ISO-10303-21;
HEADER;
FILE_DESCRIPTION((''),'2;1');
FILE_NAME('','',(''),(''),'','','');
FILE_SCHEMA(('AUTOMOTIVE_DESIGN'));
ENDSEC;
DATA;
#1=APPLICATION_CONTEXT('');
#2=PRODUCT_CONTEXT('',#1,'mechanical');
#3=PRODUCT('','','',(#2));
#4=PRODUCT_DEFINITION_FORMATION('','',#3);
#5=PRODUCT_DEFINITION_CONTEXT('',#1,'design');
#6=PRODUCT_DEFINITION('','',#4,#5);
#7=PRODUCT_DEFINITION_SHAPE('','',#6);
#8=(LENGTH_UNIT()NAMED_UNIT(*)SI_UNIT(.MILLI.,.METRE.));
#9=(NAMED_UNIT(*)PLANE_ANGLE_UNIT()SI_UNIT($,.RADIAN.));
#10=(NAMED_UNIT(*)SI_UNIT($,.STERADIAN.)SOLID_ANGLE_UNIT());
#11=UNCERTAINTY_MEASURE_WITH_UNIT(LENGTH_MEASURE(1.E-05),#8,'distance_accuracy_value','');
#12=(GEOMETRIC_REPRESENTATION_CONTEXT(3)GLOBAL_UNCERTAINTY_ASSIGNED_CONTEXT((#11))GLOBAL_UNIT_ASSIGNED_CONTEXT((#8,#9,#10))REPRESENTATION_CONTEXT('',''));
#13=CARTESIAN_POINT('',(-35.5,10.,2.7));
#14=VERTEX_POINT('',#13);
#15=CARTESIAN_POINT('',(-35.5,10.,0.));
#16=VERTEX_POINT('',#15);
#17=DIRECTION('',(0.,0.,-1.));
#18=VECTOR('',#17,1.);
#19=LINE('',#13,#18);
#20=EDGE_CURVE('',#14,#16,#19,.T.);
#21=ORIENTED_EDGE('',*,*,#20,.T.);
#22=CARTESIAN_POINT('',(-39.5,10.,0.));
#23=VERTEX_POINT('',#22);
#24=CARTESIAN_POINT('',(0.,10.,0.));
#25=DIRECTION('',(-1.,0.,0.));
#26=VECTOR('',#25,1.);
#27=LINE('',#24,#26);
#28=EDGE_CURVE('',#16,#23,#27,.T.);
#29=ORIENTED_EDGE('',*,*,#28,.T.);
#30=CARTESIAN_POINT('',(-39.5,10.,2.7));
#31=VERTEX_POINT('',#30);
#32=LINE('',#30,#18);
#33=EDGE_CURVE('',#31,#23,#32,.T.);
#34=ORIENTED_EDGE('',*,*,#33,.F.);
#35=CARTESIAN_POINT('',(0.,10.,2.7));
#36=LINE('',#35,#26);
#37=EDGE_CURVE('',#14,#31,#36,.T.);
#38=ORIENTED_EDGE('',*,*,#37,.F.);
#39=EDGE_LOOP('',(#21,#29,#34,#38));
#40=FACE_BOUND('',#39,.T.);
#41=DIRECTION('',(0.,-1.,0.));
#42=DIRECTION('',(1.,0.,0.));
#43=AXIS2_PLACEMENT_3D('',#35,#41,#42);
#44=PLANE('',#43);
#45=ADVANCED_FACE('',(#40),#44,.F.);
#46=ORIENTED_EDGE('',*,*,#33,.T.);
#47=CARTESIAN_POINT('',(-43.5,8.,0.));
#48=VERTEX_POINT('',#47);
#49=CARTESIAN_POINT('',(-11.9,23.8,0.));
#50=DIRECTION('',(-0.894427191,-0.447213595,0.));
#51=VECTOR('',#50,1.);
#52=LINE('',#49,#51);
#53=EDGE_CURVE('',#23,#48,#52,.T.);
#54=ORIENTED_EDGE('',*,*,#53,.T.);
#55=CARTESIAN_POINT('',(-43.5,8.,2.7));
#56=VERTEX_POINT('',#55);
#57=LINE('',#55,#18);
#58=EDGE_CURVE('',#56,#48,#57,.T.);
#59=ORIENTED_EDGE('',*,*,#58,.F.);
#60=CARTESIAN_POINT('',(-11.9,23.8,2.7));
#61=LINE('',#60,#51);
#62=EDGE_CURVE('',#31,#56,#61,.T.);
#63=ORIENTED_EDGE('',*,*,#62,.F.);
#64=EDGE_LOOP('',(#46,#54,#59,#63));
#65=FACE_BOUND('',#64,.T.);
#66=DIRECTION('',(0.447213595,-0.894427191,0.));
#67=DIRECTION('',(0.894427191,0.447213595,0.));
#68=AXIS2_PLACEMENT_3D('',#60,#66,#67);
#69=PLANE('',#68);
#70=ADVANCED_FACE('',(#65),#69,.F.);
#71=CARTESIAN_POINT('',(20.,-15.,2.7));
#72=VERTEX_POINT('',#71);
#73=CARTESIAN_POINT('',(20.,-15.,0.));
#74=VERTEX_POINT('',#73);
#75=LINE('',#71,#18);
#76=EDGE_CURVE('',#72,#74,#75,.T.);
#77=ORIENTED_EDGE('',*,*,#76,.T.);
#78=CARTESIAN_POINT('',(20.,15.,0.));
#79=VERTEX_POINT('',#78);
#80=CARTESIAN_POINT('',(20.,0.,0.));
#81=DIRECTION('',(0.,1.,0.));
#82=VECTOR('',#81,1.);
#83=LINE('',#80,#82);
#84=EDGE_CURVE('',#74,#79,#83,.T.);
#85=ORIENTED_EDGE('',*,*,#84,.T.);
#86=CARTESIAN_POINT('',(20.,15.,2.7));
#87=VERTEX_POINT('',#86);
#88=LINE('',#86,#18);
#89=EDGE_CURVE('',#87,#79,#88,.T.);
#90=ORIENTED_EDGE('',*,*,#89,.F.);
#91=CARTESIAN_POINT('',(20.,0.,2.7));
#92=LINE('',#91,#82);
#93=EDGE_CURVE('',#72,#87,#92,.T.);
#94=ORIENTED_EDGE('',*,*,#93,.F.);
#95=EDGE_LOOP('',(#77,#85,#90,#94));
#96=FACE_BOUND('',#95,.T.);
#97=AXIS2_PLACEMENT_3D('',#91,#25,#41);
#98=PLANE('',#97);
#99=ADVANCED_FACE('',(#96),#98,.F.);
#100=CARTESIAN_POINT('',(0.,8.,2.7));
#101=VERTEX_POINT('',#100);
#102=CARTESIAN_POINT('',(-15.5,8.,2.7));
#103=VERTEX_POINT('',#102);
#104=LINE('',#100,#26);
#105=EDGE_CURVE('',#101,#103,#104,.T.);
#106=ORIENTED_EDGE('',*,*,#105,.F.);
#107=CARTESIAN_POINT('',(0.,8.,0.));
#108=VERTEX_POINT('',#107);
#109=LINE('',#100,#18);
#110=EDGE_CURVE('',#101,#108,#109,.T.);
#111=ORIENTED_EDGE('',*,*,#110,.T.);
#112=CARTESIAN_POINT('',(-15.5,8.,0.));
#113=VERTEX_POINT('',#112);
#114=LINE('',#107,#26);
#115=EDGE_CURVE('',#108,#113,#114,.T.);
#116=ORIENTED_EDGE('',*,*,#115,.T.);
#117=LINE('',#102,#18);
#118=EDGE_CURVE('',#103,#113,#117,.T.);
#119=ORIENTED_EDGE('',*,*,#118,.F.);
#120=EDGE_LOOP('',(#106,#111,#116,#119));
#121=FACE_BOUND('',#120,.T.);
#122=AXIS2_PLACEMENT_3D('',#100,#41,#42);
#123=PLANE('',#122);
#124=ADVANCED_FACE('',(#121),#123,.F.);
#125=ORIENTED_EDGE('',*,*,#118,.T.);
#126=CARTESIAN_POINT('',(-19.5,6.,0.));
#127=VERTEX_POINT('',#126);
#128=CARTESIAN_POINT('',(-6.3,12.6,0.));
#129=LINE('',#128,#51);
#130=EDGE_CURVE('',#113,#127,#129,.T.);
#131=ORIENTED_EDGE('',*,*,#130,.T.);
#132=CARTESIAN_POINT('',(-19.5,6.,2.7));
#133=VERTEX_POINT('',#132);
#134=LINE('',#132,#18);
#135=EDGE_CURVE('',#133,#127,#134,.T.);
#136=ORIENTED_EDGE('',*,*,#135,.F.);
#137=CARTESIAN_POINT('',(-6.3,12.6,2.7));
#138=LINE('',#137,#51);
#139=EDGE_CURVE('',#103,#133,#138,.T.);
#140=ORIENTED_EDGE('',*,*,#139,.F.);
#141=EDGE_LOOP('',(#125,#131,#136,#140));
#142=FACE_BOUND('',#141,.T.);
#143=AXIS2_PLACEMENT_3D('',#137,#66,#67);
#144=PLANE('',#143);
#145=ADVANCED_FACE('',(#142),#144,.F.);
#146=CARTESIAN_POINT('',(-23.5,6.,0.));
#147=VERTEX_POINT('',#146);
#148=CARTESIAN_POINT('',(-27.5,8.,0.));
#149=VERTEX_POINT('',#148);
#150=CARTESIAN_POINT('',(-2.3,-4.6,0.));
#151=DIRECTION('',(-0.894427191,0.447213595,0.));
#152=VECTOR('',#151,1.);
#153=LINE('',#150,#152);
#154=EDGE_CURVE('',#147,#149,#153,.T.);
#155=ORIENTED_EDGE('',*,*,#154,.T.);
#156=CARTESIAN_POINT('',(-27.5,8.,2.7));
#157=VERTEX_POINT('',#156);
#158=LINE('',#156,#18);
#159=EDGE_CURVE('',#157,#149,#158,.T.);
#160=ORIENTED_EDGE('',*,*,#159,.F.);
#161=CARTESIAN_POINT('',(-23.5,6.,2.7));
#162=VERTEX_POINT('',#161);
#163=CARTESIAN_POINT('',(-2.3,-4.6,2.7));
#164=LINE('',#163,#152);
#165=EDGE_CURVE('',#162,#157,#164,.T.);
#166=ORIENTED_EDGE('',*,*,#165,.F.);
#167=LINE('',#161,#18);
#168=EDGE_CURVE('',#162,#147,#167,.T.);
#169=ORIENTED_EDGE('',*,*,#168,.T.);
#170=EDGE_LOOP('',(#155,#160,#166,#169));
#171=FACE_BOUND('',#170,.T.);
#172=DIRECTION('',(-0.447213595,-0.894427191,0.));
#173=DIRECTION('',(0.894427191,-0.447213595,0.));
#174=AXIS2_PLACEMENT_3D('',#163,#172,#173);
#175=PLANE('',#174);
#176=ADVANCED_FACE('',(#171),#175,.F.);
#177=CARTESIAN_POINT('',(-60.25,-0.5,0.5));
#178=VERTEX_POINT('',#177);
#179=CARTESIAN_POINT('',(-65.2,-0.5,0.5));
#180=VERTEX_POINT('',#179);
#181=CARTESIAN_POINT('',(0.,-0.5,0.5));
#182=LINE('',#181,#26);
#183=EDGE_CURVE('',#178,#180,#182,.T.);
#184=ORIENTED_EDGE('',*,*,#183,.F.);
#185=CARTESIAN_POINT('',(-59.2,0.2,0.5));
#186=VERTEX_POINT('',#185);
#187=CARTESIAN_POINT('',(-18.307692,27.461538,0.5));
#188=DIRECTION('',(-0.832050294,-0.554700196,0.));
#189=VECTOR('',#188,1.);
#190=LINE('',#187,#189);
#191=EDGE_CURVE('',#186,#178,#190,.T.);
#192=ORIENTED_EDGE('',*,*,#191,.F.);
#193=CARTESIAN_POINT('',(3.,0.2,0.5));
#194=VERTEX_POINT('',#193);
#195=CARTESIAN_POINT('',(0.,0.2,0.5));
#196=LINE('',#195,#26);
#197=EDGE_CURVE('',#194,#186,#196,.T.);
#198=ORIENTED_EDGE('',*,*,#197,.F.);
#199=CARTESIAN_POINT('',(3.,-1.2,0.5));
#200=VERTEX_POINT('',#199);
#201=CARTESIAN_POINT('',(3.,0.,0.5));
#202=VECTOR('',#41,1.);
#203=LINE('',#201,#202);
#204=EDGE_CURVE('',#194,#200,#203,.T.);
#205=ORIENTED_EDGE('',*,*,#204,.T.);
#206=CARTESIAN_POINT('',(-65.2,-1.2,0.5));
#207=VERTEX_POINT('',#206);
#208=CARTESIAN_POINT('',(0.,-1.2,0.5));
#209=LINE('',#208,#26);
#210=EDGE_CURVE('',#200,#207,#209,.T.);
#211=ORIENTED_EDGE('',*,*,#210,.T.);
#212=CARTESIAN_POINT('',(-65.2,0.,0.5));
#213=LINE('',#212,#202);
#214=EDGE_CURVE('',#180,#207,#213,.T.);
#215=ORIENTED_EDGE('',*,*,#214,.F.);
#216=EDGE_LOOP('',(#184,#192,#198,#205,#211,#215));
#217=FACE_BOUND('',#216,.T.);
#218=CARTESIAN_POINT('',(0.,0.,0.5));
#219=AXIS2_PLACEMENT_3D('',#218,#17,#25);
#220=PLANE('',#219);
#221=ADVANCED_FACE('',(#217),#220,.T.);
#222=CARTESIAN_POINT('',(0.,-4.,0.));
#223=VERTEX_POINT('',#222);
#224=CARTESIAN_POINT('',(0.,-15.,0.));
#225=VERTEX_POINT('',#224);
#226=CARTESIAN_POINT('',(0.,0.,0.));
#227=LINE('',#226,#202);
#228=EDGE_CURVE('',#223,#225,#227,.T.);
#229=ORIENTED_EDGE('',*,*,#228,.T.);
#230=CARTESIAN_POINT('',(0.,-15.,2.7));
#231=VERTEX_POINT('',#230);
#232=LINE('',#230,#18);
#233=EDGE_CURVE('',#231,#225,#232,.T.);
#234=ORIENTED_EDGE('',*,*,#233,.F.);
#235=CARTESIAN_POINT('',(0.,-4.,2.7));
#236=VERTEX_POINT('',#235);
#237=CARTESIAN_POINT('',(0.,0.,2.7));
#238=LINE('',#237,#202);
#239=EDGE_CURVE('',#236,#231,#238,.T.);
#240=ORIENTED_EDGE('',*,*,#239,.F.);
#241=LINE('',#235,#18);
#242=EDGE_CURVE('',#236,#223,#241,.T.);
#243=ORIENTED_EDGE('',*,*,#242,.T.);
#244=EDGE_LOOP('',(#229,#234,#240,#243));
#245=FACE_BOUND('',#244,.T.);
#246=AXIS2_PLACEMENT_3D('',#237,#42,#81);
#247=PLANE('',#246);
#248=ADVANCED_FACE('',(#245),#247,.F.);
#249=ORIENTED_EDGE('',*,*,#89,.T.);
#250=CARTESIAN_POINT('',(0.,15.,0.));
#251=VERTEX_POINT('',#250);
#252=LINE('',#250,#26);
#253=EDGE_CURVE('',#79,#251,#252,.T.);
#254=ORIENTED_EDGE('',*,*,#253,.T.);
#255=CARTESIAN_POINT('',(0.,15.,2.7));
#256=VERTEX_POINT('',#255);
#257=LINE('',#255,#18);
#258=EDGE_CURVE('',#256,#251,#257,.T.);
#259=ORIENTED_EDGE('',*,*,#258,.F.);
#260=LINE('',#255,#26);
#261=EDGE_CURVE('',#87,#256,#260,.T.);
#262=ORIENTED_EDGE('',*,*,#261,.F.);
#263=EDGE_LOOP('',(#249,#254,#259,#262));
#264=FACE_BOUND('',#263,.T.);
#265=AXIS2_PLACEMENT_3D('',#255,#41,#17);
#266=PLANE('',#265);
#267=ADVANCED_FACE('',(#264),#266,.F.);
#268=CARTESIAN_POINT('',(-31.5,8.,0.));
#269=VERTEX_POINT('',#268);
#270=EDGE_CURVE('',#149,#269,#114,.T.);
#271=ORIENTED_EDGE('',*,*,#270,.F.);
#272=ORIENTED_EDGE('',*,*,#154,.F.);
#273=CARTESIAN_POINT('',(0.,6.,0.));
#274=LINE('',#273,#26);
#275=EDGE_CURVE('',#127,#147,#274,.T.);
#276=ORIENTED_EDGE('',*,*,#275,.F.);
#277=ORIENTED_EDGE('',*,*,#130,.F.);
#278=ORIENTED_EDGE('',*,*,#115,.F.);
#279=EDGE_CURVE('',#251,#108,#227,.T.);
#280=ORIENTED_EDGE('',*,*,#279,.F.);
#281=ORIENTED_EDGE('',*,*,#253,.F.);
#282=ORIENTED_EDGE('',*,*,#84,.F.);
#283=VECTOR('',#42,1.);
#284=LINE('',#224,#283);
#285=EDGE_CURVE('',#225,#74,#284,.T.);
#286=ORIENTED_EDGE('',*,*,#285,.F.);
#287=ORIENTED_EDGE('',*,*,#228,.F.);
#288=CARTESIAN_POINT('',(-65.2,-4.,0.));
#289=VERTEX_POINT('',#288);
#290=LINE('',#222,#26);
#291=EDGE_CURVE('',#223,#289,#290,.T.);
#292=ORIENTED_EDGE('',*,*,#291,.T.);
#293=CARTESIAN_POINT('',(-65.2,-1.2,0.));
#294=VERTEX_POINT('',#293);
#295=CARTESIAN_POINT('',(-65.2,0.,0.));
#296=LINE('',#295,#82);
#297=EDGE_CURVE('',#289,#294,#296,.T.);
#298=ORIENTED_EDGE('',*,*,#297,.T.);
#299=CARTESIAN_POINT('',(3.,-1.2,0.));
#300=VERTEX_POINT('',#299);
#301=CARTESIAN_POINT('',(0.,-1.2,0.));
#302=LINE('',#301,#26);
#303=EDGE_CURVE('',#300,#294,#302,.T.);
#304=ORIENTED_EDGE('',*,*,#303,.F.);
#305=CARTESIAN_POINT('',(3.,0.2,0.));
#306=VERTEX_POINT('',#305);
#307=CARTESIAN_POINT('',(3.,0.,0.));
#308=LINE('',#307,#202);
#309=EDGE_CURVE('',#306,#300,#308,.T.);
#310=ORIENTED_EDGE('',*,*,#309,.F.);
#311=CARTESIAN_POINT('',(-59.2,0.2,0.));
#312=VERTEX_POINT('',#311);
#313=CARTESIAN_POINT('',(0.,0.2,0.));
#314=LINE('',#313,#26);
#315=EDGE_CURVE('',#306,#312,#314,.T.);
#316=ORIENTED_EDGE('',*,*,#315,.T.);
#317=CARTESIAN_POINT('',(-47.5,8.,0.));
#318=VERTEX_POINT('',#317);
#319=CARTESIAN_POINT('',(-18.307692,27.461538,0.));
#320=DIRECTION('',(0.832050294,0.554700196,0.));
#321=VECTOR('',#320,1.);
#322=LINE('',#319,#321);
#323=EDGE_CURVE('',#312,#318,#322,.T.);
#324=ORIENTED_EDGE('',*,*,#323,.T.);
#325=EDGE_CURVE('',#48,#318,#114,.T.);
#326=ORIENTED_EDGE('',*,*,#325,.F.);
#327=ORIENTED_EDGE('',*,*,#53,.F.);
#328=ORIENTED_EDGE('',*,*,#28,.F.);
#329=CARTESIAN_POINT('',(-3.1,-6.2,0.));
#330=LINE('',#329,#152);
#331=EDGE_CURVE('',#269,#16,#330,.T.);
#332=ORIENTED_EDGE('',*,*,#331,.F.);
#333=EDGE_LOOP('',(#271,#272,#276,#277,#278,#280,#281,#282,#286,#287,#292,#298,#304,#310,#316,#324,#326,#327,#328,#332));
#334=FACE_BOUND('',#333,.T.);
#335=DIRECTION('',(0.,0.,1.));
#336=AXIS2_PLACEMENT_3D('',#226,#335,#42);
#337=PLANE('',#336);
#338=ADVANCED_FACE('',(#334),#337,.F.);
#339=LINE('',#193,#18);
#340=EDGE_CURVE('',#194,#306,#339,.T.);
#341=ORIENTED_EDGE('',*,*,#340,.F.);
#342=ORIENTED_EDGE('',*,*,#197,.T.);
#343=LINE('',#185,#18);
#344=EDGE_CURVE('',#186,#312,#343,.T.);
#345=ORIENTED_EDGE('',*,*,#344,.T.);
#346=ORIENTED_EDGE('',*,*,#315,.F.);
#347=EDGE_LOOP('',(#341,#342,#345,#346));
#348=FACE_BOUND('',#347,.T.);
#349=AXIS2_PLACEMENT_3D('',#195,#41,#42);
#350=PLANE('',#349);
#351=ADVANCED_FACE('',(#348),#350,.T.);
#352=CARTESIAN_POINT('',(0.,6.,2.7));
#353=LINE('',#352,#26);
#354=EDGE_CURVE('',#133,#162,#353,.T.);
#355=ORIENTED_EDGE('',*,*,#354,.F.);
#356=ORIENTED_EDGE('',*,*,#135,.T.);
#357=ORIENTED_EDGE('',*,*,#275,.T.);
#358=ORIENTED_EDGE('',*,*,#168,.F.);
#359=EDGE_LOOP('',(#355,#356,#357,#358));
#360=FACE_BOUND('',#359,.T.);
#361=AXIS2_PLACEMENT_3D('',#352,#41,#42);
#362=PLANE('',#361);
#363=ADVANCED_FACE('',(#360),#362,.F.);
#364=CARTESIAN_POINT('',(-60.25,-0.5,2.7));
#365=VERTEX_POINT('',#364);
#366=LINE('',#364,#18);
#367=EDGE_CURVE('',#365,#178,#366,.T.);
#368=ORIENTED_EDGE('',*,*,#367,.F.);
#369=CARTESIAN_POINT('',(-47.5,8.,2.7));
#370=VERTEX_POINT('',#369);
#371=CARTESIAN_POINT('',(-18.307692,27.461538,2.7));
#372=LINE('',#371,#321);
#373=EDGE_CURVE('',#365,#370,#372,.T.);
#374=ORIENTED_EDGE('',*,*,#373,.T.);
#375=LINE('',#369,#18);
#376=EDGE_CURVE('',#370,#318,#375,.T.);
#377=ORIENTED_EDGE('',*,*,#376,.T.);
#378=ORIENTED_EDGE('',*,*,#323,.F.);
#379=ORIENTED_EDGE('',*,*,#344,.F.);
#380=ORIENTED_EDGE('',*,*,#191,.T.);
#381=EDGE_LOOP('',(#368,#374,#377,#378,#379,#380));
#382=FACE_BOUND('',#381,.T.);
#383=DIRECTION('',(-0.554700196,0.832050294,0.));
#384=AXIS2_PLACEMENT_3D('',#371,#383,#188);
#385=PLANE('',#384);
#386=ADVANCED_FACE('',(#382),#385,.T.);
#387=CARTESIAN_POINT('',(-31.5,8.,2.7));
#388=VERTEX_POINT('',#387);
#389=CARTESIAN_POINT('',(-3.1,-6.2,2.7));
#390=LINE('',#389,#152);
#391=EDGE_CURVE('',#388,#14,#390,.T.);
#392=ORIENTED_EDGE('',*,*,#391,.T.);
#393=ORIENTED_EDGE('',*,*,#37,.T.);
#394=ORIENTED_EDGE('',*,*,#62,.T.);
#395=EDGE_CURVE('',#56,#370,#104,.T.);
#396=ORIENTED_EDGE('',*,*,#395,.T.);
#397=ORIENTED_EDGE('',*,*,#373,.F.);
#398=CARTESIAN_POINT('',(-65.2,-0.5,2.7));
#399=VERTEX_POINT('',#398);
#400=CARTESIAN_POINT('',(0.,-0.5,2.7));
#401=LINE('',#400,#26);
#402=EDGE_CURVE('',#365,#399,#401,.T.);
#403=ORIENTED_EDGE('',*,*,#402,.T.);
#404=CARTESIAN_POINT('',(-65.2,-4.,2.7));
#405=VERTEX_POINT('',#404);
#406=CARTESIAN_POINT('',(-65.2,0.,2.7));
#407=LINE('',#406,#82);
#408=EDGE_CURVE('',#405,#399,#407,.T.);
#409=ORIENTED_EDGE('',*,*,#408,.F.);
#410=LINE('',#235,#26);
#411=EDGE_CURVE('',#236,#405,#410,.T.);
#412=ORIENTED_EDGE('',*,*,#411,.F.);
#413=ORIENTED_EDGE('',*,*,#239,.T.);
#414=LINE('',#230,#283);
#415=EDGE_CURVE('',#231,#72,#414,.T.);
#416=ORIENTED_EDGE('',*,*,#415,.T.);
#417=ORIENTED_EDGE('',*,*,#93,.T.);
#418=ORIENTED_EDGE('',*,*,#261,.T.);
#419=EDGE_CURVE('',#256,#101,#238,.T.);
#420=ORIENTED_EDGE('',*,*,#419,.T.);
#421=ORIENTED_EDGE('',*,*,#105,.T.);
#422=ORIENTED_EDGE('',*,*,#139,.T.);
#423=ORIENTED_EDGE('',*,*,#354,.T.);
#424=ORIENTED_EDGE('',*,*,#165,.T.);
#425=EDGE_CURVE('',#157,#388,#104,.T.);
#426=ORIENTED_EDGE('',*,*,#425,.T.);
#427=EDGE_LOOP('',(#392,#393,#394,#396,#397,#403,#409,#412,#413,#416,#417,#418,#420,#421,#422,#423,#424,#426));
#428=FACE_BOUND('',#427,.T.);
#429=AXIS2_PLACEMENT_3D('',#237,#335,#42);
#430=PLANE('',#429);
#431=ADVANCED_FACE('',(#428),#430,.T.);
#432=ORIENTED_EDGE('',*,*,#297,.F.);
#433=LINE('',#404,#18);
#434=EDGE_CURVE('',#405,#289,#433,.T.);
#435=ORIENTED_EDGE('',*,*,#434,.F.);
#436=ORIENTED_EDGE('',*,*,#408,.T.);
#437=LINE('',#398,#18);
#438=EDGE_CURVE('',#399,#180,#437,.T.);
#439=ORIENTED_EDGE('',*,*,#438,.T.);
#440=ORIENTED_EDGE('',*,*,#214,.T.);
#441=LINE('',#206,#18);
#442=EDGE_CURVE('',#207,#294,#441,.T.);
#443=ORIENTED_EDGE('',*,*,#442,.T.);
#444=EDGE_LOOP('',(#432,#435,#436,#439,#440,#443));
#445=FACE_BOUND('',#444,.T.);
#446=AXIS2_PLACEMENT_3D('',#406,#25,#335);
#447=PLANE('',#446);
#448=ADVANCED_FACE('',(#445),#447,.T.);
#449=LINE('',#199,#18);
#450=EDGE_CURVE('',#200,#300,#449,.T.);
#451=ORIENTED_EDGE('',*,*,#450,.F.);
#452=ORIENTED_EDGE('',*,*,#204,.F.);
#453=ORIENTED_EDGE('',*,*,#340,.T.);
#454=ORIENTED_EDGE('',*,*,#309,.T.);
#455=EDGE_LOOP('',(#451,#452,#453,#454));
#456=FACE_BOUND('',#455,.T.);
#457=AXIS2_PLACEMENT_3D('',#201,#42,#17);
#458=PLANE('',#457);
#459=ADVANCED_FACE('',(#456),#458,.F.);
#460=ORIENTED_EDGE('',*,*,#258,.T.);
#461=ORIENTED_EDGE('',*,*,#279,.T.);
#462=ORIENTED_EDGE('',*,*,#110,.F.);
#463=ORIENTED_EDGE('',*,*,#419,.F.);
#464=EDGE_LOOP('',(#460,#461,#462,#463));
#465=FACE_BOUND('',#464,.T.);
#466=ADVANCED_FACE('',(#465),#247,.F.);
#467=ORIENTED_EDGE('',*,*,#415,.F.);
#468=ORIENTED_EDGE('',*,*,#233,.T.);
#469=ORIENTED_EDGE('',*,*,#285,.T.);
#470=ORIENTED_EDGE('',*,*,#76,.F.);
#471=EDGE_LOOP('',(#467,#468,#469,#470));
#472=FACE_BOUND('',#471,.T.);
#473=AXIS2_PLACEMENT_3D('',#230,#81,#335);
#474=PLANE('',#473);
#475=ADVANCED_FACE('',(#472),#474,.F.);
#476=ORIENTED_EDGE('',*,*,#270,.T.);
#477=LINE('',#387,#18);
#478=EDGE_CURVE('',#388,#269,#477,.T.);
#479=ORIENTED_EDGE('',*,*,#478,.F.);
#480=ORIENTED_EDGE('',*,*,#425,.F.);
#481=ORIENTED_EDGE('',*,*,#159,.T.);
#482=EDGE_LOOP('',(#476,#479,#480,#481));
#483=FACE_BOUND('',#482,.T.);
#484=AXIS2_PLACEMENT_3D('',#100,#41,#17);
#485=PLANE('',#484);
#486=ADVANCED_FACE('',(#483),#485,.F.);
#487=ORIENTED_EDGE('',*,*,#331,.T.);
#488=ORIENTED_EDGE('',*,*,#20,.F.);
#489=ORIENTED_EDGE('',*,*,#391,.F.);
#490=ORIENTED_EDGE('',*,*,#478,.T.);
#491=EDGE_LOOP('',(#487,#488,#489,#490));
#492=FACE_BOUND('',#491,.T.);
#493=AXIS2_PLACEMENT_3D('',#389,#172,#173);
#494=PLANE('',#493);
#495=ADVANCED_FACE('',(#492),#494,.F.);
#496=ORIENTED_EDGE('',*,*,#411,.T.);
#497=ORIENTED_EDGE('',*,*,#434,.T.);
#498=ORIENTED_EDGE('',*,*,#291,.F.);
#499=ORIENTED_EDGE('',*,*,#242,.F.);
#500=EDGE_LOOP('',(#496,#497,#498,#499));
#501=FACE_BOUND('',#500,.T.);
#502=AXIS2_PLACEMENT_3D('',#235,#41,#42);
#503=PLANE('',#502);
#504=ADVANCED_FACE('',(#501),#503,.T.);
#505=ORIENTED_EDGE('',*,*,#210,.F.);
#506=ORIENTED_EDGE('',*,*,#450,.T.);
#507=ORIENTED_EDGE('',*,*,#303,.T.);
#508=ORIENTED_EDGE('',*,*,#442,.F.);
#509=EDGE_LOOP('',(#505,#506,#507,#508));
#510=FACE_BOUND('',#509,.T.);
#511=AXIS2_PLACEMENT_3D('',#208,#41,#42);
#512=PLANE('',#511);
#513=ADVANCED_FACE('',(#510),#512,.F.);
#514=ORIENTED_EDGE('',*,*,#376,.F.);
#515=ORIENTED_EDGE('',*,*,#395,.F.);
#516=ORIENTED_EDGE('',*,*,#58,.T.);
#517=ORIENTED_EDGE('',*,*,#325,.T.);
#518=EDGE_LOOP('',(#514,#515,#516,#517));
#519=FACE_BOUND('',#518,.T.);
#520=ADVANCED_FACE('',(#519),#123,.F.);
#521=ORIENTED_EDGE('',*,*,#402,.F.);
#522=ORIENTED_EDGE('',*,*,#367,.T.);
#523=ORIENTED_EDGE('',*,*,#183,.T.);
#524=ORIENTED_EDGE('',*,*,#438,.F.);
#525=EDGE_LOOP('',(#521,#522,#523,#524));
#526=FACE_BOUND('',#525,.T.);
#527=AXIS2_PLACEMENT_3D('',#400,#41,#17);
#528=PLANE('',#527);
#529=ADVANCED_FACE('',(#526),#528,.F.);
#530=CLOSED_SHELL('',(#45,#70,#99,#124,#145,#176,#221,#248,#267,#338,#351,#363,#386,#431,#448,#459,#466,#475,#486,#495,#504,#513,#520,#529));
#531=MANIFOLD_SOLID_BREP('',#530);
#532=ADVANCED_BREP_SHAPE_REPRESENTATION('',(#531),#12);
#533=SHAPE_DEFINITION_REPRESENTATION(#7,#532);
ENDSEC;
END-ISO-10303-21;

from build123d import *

# Parameters (mm, degrees)
BOSS_EXTRUDE1_DEPTH = 2.7
CUT_EXTRUDE1_START  = -2.7
SKETCH2_W           = 68.2
SKETCH2_H           = 1.4
CUT_EXTRUDE1_DEPTH  = 0.5


with BuildPart() as part:
    # Sketch1 → Boss-Extrude1 (new body)
    with BuildSketch(Plane.XY):
        Polygon((20, 15), (0, 15), (0, 8), (-15.5, 8), (-19.5, 6), (-23.5, 6), (-27.5, 8), (-31.5, 8), (-35.5, 10), (-39.5, 10), (-43.5, 8), (-47.5, 8), (-60.25, -0.5), (-65.2, -0.5), (-65.2, -4), (0, -4), (0, -15), (20, -15), align=None)
    extrude(amount=BOSS_EXTRUDE1_DEPTH)

    # Sketch2 → Cut-Extrude1 (cut)
    with BuildSketch(Plane.XY.offset(2.7).offset(CUT_EXTRUDE1_START)):
        with Locations((-31.1, -0.5)):
            Rectangle(SKETCH2_W, SKETCH2_H)
    extrude(amount=CUT_EXTRUDE1_DEPTH, mode=Mode.SUBTRACT)


solid = part.part
